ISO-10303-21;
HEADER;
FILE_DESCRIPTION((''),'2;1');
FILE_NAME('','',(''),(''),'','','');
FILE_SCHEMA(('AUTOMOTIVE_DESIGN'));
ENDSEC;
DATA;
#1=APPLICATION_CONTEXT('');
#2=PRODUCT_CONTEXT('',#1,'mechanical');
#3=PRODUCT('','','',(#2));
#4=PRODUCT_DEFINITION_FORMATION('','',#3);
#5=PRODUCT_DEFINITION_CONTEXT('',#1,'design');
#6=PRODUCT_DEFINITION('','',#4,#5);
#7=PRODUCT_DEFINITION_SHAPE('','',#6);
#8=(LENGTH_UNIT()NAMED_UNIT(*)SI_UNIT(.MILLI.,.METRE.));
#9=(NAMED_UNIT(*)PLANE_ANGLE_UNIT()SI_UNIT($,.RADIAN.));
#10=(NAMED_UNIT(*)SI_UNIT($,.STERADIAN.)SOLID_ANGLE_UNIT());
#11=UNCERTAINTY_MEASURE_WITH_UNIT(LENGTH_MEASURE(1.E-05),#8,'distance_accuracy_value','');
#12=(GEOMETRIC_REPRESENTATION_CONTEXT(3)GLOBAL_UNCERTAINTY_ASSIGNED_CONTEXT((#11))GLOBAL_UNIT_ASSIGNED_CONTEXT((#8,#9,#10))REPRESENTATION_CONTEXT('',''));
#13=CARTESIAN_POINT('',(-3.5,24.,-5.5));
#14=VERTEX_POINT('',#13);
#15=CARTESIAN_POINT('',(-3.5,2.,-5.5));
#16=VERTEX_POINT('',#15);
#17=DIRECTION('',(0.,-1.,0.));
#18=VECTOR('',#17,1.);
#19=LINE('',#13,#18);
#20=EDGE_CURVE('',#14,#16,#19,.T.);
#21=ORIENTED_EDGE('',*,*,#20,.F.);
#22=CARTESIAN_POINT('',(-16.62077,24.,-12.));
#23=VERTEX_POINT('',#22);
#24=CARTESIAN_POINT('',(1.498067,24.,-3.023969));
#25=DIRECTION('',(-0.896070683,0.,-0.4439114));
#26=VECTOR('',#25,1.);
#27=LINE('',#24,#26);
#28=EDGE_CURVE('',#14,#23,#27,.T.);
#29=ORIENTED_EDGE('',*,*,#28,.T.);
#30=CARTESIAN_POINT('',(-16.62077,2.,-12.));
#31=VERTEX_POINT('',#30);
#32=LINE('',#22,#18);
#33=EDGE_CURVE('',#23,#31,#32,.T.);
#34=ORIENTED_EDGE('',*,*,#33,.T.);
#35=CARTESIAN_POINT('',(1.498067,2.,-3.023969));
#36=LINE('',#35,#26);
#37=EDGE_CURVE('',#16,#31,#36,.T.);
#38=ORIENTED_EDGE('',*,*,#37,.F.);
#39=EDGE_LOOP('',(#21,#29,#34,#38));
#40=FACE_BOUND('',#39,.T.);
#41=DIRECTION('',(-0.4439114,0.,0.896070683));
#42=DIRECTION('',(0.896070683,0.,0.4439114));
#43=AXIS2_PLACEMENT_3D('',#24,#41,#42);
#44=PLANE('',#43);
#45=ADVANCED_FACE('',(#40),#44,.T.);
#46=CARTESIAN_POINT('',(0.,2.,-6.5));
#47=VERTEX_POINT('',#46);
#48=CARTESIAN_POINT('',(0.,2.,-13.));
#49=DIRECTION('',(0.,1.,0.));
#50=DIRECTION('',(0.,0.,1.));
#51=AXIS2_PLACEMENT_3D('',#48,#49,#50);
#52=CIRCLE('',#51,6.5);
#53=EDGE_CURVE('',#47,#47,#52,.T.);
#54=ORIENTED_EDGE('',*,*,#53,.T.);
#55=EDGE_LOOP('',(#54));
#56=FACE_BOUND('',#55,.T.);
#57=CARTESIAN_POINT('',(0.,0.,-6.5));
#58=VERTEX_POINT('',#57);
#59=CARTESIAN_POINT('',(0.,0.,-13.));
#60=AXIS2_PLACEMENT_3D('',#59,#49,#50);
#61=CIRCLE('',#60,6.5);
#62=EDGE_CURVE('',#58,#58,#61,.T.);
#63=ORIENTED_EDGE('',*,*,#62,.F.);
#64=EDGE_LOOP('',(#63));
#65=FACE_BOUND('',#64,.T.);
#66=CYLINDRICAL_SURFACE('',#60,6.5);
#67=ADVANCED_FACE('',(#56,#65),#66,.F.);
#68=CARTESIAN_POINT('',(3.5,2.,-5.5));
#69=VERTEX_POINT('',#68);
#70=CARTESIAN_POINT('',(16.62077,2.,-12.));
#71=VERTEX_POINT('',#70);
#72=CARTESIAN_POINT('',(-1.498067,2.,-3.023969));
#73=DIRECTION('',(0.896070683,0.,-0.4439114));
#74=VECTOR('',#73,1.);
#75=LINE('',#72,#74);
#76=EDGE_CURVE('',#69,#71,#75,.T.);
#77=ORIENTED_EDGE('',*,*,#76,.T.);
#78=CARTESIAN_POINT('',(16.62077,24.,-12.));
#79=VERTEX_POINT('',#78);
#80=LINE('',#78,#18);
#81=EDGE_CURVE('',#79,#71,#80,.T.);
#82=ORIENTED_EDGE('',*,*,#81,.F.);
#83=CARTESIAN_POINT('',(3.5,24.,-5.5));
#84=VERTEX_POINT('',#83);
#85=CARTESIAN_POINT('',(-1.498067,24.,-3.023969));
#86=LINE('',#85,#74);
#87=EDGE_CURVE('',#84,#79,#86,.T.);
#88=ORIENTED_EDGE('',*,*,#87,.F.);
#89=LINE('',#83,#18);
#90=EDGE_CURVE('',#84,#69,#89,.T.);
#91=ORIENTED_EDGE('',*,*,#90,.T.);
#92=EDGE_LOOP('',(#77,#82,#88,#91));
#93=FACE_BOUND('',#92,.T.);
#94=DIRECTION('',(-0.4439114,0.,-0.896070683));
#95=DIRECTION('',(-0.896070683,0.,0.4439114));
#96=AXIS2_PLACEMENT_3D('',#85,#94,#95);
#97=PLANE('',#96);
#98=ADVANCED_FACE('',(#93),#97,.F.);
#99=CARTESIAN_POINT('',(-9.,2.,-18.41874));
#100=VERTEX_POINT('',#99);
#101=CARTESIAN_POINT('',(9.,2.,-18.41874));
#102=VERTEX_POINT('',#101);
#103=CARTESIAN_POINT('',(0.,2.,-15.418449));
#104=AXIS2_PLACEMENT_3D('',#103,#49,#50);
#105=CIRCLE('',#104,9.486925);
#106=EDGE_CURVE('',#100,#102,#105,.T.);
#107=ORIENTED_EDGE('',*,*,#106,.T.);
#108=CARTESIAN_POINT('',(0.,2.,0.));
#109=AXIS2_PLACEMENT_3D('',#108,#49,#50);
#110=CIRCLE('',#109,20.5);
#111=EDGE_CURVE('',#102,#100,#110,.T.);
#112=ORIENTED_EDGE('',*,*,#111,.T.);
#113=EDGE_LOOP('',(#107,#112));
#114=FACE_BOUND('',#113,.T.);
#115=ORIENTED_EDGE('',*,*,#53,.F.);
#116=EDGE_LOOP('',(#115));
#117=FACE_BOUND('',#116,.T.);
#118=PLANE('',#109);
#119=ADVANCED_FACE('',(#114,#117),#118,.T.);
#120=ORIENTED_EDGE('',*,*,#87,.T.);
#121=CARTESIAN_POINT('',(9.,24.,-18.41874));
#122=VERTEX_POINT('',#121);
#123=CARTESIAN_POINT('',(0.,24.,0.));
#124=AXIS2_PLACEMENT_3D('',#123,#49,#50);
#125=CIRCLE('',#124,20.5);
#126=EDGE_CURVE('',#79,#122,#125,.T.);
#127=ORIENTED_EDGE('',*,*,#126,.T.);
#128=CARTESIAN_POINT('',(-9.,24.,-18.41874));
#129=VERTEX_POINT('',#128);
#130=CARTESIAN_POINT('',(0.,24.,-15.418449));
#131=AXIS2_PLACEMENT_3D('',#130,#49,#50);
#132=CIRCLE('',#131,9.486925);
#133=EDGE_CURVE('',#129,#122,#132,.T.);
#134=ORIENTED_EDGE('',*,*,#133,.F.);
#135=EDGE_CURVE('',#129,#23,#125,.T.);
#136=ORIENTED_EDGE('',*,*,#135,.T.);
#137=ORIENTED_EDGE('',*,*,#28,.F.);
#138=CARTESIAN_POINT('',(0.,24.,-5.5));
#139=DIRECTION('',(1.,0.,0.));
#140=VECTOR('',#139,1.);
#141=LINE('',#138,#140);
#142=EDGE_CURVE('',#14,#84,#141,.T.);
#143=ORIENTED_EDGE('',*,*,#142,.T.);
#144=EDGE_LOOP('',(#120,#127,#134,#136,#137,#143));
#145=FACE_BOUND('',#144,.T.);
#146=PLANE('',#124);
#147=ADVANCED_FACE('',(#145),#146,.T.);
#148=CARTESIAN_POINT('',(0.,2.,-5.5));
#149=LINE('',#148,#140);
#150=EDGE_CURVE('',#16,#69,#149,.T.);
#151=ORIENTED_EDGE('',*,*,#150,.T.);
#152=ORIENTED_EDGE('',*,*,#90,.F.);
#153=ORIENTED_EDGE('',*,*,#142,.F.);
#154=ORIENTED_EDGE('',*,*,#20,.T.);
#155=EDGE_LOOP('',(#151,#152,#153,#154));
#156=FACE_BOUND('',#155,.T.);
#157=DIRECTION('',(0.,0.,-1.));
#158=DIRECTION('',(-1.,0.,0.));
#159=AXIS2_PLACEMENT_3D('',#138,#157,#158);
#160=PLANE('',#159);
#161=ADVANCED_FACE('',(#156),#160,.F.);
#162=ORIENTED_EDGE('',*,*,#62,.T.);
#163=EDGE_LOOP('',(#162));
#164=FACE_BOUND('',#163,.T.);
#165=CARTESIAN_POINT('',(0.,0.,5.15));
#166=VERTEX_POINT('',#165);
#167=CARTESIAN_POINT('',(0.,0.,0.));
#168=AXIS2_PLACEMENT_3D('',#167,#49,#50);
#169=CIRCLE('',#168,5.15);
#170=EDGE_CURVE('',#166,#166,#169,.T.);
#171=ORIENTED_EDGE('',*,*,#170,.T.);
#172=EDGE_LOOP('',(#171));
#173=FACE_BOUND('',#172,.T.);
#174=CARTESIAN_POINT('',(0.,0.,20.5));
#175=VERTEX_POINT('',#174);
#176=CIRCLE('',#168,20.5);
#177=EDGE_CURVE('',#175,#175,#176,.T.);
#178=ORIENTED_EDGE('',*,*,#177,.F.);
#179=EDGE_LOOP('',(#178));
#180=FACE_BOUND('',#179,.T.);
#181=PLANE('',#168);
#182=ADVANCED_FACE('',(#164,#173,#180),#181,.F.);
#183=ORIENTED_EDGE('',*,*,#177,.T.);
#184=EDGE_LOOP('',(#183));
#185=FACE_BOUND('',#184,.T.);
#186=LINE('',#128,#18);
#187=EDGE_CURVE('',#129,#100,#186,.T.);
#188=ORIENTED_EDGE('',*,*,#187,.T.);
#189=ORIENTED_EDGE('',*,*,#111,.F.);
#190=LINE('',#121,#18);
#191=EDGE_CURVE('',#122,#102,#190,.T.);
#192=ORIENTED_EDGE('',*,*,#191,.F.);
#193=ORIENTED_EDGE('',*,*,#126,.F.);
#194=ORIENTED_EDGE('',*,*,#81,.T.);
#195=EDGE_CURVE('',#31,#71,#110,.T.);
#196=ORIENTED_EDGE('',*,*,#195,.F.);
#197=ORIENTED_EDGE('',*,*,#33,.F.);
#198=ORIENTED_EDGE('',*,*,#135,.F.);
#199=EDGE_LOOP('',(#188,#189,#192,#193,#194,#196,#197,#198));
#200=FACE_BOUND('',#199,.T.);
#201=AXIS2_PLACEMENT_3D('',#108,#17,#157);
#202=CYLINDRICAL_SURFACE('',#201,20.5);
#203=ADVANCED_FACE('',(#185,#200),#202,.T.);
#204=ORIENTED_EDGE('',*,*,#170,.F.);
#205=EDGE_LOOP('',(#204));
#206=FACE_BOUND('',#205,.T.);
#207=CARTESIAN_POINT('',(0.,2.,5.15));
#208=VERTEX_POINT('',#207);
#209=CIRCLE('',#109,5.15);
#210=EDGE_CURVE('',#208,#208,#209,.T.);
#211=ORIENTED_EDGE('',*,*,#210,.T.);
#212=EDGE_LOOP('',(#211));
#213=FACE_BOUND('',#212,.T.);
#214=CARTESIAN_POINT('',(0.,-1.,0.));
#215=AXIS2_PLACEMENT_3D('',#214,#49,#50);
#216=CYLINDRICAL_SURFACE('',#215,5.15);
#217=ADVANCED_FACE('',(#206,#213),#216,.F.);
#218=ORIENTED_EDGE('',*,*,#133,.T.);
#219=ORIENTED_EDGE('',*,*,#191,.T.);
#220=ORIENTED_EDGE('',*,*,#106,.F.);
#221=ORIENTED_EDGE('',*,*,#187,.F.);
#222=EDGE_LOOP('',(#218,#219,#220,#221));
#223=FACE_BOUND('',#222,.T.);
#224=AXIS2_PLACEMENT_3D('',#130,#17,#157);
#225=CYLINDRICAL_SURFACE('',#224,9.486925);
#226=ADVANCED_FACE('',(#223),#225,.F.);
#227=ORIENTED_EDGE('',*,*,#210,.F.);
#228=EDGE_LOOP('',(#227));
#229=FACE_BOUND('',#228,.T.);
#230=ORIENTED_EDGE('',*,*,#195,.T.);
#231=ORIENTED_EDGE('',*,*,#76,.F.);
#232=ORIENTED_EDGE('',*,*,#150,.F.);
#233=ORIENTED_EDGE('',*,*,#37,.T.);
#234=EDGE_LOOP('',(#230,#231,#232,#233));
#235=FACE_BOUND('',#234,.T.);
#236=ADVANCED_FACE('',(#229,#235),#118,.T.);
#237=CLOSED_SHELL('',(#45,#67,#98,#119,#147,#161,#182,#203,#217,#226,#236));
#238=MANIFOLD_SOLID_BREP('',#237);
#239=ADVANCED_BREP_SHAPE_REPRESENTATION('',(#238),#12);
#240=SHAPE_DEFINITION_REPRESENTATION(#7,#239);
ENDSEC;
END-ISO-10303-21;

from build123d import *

# Parameters (mm, degrees)
SKETCH1_R           = 20.5
BOSS_EXTRUDE1_DEPTH = 2
SKETCH2_R           = 5.15
CUT_EXTRUDE1_DEPTH  = 3
SKETCH3_R           = 6.5
CUT_EXTRUDE2_DEPTH  = 2
BOSS_EXTRUDE4_DEPTH = 22


with BuildPart() as part:
    # Sketch1 → Boss-Extrude1 (new body)
    with BuildSketch(Plane(origin=(0, 0, 0), x_dir=(1, 0, 0), z_dir=(0, 1, 0))):
        with Locations(Location((0, 0, 0), (0, 0, 270))):
            Circle(SKETCH1_R)
    extrude(amount=BOSS_EXTRUDE1_DEPTH)

    # Sketch2 → Cut-Extrude1 (cut)
    with BuildSketch(Plane(origin=(0, 2, 0), x_dir=(1, 0, 0), z_dir=(0, 1, 0))):
        with Locations(Location((0, 0, 0), (0, 0, 270))):
            Circle(SKETCH2_R)
    extrude(amount=-CUT_EXTRUDE1_DEPTH, mode=Mode.SUBTRACT)

    # Sketch3 → Cut-Extrude2 (cut)
    with BuildSketch(Plane(origin=(0, 2, 0), x_dir=(1, 0, 0), z_dir=(0, 1, 0))):
        with Locations(Location((0, 13, 0), (0, 0, 270))):
            Circle(SKETCH3_R)
    extrude(amount=-CUT_EXTRUDE2_DEPTH, mode=Mode.SUBTRACT)

    # Sketch4 → Boss-Extrude4 (add)
    with BuildSketch(Plane(origin=(0, 2, 0), x_dir=(1, 0, 0), z_dir=(0, 1, 0))):
        with BuildLine():
            Line((-16.620770139, 12), (-3.5, 5.5))
            Line((-3.5, 5.5), (3.5, 5.5))
            Line((3.5, 5.5), (16.620770139, 12))
            ThreePointArc((16.620770139, 12), (13.206287248, 15.679412525), (9, 18.418740456))
            ThreePointArc((9, 18.418740456), (0, 5.93152382), (-9, 18.418740456))
            ThreePointArc((-9, 18.418740456), (-13.206287248, 15.679412525), (-16.620770139, 12))
        make_face()
    extrude(amount=BOSS_EXTRUDE4_DEPTH)


solid = part.part
